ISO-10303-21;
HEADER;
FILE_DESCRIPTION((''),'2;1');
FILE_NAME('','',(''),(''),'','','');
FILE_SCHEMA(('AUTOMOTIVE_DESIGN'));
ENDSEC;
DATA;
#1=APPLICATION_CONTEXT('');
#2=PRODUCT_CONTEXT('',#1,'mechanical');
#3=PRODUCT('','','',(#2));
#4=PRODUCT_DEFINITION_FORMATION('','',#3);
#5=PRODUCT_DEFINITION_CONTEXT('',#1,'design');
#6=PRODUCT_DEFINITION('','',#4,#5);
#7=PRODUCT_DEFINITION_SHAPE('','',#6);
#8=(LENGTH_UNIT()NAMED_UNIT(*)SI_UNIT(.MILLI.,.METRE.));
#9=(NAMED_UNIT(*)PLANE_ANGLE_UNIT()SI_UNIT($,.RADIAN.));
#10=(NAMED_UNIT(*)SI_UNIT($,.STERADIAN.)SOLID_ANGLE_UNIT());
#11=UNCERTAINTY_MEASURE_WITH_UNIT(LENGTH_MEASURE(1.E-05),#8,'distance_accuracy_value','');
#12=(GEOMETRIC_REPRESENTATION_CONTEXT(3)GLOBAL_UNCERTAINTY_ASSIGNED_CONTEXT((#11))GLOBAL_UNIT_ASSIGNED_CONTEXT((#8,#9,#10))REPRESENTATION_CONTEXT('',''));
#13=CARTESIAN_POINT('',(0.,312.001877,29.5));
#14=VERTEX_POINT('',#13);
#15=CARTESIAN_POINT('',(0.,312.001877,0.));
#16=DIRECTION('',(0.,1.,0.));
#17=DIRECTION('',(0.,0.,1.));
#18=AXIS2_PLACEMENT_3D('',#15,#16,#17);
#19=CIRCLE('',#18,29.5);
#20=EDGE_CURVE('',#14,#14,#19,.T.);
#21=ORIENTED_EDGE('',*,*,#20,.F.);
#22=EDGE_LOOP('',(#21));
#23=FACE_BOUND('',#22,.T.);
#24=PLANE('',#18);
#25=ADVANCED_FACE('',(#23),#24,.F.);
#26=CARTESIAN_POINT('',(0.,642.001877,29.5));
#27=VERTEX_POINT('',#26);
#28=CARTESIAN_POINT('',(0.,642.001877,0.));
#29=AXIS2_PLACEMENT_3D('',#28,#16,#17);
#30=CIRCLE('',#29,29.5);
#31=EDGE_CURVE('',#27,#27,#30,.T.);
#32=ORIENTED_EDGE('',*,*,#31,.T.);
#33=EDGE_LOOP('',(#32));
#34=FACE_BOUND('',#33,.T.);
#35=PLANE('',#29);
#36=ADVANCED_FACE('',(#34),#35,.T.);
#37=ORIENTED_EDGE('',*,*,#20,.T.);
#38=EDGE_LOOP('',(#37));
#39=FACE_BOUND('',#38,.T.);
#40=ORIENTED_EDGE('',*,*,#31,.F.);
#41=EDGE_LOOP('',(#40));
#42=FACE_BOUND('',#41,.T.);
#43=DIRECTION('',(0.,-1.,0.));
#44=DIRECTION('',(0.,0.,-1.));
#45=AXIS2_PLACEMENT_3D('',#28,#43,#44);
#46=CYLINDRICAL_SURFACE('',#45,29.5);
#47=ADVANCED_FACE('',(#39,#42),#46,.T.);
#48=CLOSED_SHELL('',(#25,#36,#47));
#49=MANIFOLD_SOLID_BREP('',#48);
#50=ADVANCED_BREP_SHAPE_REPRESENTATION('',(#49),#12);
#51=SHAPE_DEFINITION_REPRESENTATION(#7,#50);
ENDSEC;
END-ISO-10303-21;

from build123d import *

# Parameters (mm, degrees)
SKETCH_2_R      = 29.5
EXTRUDE_1_DEPTH = 330


with BuildPart() as part:
    # 草图2 → 凸台-拉伸1 (new body)
    with BuildSketch(Plane(origin=(0, 312.00187691, 0), x_dir=(-0.7675667180166875, 0, 0.6409690580621589), z_dir=(0, 1, 0))):
        with Locations(Location((0, 0, 0), (0, 0, 50.135882271))):
            Circle(SKETCH_2_R)
    extrude(amount=EXTRUDE_1_DEPTH)


solid = part.part
